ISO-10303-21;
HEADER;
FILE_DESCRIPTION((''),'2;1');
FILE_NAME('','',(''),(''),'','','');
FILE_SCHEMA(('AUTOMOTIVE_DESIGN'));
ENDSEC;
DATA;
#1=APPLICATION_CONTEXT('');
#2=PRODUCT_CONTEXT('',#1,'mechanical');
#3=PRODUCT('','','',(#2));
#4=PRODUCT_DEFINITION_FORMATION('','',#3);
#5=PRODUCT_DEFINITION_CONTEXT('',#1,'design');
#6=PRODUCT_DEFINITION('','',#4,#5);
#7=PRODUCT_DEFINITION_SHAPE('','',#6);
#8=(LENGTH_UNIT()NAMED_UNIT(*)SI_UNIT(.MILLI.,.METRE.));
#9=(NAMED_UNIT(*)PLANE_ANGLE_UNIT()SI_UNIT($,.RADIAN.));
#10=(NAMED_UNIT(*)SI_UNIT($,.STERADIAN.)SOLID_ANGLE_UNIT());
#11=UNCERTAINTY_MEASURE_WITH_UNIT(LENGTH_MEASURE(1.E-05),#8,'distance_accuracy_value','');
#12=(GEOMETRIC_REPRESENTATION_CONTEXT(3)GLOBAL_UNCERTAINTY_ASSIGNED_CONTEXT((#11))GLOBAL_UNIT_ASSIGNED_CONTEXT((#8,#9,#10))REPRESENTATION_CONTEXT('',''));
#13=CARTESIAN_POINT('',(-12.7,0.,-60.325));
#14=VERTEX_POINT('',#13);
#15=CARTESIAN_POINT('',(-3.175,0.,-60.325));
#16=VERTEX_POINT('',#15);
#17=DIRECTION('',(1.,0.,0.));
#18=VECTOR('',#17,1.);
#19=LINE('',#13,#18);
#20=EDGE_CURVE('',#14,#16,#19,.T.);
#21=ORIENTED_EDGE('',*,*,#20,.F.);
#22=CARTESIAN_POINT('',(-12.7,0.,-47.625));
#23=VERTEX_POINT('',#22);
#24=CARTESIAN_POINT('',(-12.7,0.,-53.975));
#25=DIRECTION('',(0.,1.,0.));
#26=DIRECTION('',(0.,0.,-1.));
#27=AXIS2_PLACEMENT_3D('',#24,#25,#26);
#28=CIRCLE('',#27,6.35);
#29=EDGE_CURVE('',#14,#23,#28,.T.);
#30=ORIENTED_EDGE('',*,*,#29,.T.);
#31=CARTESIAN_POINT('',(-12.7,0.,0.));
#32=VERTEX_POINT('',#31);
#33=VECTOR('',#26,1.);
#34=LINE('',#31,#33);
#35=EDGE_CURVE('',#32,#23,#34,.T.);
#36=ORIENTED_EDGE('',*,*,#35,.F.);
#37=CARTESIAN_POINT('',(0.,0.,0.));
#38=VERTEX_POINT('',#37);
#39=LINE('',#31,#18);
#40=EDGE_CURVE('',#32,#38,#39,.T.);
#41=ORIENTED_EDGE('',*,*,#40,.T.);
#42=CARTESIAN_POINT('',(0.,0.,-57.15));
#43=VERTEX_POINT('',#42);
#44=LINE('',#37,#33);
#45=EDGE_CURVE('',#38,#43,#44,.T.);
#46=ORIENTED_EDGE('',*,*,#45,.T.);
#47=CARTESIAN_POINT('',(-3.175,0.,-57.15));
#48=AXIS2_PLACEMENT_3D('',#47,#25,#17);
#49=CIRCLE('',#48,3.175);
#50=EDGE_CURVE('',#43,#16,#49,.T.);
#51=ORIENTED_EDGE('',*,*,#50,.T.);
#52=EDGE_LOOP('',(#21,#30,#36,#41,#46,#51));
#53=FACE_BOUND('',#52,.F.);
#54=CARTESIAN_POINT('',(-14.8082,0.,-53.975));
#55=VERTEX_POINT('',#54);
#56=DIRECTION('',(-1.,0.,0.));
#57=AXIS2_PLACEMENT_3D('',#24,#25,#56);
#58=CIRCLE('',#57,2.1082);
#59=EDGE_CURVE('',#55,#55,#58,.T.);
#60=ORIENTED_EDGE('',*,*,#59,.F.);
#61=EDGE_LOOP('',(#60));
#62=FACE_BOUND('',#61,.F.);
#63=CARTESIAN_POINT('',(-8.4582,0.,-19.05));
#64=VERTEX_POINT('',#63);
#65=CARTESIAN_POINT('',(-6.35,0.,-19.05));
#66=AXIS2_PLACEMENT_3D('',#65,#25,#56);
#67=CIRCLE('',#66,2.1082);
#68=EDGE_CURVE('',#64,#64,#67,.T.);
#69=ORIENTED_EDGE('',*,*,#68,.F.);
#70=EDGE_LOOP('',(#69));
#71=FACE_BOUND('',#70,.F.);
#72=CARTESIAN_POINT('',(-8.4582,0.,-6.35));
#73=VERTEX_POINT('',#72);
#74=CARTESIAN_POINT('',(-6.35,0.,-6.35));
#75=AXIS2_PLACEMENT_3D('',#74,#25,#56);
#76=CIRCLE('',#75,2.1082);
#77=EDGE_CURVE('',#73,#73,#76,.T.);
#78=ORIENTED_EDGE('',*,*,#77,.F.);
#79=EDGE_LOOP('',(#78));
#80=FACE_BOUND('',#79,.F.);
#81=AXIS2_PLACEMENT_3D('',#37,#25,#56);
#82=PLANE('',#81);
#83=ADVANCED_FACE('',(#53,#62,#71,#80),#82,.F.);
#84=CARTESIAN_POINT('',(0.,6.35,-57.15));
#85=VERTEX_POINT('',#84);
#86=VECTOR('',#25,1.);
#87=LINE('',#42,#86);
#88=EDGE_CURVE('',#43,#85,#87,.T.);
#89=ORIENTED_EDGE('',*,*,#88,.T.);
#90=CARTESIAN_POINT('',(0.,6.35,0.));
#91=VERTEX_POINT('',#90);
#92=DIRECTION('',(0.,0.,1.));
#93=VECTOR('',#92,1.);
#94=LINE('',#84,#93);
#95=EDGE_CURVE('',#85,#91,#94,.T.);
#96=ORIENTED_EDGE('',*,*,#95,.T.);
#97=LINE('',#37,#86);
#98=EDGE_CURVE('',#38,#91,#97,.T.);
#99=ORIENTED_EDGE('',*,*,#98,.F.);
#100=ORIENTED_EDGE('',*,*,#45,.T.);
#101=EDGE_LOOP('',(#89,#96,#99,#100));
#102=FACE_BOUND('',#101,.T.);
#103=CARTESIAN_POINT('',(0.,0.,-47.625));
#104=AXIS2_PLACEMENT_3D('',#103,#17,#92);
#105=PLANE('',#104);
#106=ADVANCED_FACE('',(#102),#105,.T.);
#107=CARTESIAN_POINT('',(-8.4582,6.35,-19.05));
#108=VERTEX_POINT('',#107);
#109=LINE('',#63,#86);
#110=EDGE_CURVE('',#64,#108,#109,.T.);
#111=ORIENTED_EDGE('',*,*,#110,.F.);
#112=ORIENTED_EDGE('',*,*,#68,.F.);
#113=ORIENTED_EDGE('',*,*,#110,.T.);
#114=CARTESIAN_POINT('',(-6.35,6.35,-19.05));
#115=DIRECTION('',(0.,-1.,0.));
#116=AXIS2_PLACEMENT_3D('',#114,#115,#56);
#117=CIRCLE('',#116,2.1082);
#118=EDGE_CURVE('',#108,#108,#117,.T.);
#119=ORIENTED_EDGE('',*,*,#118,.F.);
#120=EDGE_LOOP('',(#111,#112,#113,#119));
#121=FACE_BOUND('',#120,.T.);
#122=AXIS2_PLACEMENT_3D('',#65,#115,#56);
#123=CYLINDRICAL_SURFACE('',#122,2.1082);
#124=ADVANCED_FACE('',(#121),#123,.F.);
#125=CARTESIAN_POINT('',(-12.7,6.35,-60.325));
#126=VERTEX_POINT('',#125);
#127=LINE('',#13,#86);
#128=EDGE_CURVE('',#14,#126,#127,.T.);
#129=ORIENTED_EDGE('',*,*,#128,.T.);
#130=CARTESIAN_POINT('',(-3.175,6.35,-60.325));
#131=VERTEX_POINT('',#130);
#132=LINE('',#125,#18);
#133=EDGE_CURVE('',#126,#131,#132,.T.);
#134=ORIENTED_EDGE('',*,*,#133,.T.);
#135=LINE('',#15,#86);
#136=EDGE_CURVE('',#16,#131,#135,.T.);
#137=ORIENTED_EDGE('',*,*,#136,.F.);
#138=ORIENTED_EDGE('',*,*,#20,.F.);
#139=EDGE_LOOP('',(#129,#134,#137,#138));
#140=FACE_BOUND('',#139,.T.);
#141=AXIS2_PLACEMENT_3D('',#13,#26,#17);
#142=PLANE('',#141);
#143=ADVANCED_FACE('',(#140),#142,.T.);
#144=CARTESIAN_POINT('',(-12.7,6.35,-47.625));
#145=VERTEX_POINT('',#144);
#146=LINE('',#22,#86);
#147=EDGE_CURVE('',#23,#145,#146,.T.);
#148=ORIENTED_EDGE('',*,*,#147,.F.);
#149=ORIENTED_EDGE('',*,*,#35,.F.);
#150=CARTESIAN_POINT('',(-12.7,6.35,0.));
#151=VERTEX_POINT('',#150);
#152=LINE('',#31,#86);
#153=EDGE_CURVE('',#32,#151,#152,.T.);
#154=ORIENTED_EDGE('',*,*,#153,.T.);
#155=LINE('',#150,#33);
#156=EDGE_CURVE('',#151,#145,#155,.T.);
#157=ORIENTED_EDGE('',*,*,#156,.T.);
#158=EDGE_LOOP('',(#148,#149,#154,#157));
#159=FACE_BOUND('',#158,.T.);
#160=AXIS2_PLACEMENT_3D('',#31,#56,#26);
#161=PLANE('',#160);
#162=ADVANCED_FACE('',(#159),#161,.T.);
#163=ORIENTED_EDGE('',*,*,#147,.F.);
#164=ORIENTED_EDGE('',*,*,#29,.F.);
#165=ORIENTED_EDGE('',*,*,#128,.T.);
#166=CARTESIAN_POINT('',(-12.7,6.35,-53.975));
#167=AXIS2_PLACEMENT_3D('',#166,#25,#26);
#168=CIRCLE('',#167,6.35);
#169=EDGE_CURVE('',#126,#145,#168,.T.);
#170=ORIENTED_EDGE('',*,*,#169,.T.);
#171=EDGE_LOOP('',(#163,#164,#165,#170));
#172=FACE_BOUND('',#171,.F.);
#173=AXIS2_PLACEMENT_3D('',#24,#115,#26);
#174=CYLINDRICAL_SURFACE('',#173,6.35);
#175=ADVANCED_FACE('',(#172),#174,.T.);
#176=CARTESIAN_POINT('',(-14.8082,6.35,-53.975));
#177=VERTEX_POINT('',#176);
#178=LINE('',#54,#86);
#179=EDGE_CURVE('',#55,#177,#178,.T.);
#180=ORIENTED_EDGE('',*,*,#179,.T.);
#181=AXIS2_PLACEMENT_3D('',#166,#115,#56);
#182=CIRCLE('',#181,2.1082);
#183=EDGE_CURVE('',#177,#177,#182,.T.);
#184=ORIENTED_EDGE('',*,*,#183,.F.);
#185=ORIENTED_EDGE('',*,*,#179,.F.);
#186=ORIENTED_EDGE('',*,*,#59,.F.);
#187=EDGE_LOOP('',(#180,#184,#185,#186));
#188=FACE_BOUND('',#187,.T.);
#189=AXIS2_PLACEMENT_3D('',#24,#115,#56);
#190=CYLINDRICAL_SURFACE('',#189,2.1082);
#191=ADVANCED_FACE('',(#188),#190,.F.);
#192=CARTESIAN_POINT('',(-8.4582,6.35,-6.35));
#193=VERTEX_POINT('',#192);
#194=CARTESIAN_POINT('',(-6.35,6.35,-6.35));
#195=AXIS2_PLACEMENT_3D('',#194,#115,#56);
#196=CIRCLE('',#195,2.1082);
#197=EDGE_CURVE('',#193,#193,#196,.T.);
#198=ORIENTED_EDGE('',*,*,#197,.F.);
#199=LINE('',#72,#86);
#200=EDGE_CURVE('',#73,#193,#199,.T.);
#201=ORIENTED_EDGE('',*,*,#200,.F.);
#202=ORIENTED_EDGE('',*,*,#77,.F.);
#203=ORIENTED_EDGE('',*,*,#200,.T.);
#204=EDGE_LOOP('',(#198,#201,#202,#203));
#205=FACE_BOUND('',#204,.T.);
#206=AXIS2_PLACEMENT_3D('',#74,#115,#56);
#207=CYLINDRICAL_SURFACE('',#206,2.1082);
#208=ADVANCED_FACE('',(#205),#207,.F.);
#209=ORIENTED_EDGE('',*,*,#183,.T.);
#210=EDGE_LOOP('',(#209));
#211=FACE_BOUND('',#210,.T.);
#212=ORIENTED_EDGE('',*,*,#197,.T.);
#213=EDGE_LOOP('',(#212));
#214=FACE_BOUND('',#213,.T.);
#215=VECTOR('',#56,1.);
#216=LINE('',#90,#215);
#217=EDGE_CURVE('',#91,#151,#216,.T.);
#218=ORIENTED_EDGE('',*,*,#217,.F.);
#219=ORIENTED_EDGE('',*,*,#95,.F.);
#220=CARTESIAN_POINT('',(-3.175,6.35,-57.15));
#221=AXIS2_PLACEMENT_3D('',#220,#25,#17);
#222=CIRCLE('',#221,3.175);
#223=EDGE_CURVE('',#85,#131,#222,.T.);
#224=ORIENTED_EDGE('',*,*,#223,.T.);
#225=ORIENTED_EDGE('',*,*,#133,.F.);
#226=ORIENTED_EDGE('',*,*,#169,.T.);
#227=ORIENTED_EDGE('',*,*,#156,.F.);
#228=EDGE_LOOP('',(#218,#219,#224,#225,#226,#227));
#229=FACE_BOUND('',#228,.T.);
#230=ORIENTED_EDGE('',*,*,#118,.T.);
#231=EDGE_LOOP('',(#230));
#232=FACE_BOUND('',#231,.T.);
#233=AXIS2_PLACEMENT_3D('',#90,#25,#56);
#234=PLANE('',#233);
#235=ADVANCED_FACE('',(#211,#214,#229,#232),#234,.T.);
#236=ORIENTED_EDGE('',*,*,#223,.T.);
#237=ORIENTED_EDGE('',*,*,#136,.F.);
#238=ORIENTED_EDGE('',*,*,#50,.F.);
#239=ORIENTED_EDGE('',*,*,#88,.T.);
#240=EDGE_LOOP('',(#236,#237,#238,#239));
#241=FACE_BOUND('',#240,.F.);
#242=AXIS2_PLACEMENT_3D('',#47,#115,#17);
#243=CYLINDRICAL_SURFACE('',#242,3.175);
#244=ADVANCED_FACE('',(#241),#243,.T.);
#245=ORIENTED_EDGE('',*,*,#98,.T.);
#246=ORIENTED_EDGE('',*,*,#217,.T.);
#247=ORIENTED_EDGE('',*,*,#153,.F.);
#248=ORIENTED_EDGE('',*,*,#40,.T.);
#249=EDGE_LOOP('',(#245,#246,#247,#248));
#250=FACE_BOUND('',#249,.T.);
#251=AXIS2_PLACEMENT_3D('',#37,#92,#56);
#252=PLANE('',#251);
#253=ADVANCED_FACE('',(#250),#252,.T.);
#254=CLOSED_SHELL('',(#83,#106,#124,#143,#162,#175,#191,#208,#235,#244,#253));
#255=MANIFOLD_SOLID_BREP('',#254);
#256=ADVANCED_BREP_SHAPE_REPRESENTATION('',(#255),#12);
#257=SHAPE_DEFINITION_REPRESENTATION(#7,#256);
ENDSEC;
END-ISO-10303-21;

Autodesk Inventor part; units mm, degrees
ref_plane "YZ Plane" through (0, 0, 0) normal (1, 0, 0) x (0, 1, 0)
ref_plane "XZ Plane" through (0, 0, 0) normal (0, 1, 0) x (-1, 0, 0)
ref_plane "XY Plane" through (0, 0, 0) normal (0, 0, 1) x (1, 0, 0)
sketch "Sketch1" plane through (0, 0, 0) normal (0, 1, 0) x (-1, 0, 0)
  line L0 (0, 0) -> (12.7, 0)
  line L1 (12.7, 0) -> (12.7, -47.625)
  line L2 (12.7, -47.625) -> (0, -47.625)
  line L3 (0, -47.625) -> (0, 0)
  line L4 (6.35, 0) -> (6.35, -6.35)
  circle A0 centre (6.35, -6.35) radius 2.1082
  line L5 (6.35, -6.35) -> (6.35, -19.05)
  circle A1 centre (6.35, -19.05) radius 2.1082
  line L6 (6.35, -19.05) -> (6.35, -53.975)
  line L7 (6.35, -53.975) -> (12.7, -53.975)
  circle A2 centre (12.7, -53.975) radius 2.1082
  line L8 (12.7, -53.975) -> (12.7, -60.325)
  arc A3 (12.7, -60.325) -> (12.7, -47.625) centre (12.7, -53.975) ccw
  line L9 (0, -47.625) -> (0, -53.975)
  line L10 (12.7, -60.325) -> (3.175, -60.325)
  line L11 (0, -57.15) -> (0, -53.975)
  arc A4 (0, -57.15) -> (3.175, -60.325) centre (3.175, -57.15) ccw
  dimension "d0" = 12.7
  dimension "d1" = 6.35
  dimension "d2" = 4.2164
  dimension "d3" = 47.625
  dimension "d4" = 12.7
  dimension "d5" = 34.925
  dimension "d6" = 6.35
  dimension "d7" = 4.2164
  dimension "d8" = 6.35
  dimension "d9" = 3.175
extrude "Extrusion1" add sketch "Sketch1" along normal blind 6.35 contours L0 L4 A0 L5 A1 L6 L2 L3 | L0 L1 L2 L6 A1 L5 A0 L4 | L2 L6 L7 A2 L8 L10 A4 L11 L9 | L2 A3 L8 A2 L7 L6
sketch "Sketch2" plane through (0, 6.35, 0) normal (0, 1, 0) x (1, 0, 0)
  point P0 (0, 0)
properties part number "wing mount printed version" material "Aluminum 6061"
